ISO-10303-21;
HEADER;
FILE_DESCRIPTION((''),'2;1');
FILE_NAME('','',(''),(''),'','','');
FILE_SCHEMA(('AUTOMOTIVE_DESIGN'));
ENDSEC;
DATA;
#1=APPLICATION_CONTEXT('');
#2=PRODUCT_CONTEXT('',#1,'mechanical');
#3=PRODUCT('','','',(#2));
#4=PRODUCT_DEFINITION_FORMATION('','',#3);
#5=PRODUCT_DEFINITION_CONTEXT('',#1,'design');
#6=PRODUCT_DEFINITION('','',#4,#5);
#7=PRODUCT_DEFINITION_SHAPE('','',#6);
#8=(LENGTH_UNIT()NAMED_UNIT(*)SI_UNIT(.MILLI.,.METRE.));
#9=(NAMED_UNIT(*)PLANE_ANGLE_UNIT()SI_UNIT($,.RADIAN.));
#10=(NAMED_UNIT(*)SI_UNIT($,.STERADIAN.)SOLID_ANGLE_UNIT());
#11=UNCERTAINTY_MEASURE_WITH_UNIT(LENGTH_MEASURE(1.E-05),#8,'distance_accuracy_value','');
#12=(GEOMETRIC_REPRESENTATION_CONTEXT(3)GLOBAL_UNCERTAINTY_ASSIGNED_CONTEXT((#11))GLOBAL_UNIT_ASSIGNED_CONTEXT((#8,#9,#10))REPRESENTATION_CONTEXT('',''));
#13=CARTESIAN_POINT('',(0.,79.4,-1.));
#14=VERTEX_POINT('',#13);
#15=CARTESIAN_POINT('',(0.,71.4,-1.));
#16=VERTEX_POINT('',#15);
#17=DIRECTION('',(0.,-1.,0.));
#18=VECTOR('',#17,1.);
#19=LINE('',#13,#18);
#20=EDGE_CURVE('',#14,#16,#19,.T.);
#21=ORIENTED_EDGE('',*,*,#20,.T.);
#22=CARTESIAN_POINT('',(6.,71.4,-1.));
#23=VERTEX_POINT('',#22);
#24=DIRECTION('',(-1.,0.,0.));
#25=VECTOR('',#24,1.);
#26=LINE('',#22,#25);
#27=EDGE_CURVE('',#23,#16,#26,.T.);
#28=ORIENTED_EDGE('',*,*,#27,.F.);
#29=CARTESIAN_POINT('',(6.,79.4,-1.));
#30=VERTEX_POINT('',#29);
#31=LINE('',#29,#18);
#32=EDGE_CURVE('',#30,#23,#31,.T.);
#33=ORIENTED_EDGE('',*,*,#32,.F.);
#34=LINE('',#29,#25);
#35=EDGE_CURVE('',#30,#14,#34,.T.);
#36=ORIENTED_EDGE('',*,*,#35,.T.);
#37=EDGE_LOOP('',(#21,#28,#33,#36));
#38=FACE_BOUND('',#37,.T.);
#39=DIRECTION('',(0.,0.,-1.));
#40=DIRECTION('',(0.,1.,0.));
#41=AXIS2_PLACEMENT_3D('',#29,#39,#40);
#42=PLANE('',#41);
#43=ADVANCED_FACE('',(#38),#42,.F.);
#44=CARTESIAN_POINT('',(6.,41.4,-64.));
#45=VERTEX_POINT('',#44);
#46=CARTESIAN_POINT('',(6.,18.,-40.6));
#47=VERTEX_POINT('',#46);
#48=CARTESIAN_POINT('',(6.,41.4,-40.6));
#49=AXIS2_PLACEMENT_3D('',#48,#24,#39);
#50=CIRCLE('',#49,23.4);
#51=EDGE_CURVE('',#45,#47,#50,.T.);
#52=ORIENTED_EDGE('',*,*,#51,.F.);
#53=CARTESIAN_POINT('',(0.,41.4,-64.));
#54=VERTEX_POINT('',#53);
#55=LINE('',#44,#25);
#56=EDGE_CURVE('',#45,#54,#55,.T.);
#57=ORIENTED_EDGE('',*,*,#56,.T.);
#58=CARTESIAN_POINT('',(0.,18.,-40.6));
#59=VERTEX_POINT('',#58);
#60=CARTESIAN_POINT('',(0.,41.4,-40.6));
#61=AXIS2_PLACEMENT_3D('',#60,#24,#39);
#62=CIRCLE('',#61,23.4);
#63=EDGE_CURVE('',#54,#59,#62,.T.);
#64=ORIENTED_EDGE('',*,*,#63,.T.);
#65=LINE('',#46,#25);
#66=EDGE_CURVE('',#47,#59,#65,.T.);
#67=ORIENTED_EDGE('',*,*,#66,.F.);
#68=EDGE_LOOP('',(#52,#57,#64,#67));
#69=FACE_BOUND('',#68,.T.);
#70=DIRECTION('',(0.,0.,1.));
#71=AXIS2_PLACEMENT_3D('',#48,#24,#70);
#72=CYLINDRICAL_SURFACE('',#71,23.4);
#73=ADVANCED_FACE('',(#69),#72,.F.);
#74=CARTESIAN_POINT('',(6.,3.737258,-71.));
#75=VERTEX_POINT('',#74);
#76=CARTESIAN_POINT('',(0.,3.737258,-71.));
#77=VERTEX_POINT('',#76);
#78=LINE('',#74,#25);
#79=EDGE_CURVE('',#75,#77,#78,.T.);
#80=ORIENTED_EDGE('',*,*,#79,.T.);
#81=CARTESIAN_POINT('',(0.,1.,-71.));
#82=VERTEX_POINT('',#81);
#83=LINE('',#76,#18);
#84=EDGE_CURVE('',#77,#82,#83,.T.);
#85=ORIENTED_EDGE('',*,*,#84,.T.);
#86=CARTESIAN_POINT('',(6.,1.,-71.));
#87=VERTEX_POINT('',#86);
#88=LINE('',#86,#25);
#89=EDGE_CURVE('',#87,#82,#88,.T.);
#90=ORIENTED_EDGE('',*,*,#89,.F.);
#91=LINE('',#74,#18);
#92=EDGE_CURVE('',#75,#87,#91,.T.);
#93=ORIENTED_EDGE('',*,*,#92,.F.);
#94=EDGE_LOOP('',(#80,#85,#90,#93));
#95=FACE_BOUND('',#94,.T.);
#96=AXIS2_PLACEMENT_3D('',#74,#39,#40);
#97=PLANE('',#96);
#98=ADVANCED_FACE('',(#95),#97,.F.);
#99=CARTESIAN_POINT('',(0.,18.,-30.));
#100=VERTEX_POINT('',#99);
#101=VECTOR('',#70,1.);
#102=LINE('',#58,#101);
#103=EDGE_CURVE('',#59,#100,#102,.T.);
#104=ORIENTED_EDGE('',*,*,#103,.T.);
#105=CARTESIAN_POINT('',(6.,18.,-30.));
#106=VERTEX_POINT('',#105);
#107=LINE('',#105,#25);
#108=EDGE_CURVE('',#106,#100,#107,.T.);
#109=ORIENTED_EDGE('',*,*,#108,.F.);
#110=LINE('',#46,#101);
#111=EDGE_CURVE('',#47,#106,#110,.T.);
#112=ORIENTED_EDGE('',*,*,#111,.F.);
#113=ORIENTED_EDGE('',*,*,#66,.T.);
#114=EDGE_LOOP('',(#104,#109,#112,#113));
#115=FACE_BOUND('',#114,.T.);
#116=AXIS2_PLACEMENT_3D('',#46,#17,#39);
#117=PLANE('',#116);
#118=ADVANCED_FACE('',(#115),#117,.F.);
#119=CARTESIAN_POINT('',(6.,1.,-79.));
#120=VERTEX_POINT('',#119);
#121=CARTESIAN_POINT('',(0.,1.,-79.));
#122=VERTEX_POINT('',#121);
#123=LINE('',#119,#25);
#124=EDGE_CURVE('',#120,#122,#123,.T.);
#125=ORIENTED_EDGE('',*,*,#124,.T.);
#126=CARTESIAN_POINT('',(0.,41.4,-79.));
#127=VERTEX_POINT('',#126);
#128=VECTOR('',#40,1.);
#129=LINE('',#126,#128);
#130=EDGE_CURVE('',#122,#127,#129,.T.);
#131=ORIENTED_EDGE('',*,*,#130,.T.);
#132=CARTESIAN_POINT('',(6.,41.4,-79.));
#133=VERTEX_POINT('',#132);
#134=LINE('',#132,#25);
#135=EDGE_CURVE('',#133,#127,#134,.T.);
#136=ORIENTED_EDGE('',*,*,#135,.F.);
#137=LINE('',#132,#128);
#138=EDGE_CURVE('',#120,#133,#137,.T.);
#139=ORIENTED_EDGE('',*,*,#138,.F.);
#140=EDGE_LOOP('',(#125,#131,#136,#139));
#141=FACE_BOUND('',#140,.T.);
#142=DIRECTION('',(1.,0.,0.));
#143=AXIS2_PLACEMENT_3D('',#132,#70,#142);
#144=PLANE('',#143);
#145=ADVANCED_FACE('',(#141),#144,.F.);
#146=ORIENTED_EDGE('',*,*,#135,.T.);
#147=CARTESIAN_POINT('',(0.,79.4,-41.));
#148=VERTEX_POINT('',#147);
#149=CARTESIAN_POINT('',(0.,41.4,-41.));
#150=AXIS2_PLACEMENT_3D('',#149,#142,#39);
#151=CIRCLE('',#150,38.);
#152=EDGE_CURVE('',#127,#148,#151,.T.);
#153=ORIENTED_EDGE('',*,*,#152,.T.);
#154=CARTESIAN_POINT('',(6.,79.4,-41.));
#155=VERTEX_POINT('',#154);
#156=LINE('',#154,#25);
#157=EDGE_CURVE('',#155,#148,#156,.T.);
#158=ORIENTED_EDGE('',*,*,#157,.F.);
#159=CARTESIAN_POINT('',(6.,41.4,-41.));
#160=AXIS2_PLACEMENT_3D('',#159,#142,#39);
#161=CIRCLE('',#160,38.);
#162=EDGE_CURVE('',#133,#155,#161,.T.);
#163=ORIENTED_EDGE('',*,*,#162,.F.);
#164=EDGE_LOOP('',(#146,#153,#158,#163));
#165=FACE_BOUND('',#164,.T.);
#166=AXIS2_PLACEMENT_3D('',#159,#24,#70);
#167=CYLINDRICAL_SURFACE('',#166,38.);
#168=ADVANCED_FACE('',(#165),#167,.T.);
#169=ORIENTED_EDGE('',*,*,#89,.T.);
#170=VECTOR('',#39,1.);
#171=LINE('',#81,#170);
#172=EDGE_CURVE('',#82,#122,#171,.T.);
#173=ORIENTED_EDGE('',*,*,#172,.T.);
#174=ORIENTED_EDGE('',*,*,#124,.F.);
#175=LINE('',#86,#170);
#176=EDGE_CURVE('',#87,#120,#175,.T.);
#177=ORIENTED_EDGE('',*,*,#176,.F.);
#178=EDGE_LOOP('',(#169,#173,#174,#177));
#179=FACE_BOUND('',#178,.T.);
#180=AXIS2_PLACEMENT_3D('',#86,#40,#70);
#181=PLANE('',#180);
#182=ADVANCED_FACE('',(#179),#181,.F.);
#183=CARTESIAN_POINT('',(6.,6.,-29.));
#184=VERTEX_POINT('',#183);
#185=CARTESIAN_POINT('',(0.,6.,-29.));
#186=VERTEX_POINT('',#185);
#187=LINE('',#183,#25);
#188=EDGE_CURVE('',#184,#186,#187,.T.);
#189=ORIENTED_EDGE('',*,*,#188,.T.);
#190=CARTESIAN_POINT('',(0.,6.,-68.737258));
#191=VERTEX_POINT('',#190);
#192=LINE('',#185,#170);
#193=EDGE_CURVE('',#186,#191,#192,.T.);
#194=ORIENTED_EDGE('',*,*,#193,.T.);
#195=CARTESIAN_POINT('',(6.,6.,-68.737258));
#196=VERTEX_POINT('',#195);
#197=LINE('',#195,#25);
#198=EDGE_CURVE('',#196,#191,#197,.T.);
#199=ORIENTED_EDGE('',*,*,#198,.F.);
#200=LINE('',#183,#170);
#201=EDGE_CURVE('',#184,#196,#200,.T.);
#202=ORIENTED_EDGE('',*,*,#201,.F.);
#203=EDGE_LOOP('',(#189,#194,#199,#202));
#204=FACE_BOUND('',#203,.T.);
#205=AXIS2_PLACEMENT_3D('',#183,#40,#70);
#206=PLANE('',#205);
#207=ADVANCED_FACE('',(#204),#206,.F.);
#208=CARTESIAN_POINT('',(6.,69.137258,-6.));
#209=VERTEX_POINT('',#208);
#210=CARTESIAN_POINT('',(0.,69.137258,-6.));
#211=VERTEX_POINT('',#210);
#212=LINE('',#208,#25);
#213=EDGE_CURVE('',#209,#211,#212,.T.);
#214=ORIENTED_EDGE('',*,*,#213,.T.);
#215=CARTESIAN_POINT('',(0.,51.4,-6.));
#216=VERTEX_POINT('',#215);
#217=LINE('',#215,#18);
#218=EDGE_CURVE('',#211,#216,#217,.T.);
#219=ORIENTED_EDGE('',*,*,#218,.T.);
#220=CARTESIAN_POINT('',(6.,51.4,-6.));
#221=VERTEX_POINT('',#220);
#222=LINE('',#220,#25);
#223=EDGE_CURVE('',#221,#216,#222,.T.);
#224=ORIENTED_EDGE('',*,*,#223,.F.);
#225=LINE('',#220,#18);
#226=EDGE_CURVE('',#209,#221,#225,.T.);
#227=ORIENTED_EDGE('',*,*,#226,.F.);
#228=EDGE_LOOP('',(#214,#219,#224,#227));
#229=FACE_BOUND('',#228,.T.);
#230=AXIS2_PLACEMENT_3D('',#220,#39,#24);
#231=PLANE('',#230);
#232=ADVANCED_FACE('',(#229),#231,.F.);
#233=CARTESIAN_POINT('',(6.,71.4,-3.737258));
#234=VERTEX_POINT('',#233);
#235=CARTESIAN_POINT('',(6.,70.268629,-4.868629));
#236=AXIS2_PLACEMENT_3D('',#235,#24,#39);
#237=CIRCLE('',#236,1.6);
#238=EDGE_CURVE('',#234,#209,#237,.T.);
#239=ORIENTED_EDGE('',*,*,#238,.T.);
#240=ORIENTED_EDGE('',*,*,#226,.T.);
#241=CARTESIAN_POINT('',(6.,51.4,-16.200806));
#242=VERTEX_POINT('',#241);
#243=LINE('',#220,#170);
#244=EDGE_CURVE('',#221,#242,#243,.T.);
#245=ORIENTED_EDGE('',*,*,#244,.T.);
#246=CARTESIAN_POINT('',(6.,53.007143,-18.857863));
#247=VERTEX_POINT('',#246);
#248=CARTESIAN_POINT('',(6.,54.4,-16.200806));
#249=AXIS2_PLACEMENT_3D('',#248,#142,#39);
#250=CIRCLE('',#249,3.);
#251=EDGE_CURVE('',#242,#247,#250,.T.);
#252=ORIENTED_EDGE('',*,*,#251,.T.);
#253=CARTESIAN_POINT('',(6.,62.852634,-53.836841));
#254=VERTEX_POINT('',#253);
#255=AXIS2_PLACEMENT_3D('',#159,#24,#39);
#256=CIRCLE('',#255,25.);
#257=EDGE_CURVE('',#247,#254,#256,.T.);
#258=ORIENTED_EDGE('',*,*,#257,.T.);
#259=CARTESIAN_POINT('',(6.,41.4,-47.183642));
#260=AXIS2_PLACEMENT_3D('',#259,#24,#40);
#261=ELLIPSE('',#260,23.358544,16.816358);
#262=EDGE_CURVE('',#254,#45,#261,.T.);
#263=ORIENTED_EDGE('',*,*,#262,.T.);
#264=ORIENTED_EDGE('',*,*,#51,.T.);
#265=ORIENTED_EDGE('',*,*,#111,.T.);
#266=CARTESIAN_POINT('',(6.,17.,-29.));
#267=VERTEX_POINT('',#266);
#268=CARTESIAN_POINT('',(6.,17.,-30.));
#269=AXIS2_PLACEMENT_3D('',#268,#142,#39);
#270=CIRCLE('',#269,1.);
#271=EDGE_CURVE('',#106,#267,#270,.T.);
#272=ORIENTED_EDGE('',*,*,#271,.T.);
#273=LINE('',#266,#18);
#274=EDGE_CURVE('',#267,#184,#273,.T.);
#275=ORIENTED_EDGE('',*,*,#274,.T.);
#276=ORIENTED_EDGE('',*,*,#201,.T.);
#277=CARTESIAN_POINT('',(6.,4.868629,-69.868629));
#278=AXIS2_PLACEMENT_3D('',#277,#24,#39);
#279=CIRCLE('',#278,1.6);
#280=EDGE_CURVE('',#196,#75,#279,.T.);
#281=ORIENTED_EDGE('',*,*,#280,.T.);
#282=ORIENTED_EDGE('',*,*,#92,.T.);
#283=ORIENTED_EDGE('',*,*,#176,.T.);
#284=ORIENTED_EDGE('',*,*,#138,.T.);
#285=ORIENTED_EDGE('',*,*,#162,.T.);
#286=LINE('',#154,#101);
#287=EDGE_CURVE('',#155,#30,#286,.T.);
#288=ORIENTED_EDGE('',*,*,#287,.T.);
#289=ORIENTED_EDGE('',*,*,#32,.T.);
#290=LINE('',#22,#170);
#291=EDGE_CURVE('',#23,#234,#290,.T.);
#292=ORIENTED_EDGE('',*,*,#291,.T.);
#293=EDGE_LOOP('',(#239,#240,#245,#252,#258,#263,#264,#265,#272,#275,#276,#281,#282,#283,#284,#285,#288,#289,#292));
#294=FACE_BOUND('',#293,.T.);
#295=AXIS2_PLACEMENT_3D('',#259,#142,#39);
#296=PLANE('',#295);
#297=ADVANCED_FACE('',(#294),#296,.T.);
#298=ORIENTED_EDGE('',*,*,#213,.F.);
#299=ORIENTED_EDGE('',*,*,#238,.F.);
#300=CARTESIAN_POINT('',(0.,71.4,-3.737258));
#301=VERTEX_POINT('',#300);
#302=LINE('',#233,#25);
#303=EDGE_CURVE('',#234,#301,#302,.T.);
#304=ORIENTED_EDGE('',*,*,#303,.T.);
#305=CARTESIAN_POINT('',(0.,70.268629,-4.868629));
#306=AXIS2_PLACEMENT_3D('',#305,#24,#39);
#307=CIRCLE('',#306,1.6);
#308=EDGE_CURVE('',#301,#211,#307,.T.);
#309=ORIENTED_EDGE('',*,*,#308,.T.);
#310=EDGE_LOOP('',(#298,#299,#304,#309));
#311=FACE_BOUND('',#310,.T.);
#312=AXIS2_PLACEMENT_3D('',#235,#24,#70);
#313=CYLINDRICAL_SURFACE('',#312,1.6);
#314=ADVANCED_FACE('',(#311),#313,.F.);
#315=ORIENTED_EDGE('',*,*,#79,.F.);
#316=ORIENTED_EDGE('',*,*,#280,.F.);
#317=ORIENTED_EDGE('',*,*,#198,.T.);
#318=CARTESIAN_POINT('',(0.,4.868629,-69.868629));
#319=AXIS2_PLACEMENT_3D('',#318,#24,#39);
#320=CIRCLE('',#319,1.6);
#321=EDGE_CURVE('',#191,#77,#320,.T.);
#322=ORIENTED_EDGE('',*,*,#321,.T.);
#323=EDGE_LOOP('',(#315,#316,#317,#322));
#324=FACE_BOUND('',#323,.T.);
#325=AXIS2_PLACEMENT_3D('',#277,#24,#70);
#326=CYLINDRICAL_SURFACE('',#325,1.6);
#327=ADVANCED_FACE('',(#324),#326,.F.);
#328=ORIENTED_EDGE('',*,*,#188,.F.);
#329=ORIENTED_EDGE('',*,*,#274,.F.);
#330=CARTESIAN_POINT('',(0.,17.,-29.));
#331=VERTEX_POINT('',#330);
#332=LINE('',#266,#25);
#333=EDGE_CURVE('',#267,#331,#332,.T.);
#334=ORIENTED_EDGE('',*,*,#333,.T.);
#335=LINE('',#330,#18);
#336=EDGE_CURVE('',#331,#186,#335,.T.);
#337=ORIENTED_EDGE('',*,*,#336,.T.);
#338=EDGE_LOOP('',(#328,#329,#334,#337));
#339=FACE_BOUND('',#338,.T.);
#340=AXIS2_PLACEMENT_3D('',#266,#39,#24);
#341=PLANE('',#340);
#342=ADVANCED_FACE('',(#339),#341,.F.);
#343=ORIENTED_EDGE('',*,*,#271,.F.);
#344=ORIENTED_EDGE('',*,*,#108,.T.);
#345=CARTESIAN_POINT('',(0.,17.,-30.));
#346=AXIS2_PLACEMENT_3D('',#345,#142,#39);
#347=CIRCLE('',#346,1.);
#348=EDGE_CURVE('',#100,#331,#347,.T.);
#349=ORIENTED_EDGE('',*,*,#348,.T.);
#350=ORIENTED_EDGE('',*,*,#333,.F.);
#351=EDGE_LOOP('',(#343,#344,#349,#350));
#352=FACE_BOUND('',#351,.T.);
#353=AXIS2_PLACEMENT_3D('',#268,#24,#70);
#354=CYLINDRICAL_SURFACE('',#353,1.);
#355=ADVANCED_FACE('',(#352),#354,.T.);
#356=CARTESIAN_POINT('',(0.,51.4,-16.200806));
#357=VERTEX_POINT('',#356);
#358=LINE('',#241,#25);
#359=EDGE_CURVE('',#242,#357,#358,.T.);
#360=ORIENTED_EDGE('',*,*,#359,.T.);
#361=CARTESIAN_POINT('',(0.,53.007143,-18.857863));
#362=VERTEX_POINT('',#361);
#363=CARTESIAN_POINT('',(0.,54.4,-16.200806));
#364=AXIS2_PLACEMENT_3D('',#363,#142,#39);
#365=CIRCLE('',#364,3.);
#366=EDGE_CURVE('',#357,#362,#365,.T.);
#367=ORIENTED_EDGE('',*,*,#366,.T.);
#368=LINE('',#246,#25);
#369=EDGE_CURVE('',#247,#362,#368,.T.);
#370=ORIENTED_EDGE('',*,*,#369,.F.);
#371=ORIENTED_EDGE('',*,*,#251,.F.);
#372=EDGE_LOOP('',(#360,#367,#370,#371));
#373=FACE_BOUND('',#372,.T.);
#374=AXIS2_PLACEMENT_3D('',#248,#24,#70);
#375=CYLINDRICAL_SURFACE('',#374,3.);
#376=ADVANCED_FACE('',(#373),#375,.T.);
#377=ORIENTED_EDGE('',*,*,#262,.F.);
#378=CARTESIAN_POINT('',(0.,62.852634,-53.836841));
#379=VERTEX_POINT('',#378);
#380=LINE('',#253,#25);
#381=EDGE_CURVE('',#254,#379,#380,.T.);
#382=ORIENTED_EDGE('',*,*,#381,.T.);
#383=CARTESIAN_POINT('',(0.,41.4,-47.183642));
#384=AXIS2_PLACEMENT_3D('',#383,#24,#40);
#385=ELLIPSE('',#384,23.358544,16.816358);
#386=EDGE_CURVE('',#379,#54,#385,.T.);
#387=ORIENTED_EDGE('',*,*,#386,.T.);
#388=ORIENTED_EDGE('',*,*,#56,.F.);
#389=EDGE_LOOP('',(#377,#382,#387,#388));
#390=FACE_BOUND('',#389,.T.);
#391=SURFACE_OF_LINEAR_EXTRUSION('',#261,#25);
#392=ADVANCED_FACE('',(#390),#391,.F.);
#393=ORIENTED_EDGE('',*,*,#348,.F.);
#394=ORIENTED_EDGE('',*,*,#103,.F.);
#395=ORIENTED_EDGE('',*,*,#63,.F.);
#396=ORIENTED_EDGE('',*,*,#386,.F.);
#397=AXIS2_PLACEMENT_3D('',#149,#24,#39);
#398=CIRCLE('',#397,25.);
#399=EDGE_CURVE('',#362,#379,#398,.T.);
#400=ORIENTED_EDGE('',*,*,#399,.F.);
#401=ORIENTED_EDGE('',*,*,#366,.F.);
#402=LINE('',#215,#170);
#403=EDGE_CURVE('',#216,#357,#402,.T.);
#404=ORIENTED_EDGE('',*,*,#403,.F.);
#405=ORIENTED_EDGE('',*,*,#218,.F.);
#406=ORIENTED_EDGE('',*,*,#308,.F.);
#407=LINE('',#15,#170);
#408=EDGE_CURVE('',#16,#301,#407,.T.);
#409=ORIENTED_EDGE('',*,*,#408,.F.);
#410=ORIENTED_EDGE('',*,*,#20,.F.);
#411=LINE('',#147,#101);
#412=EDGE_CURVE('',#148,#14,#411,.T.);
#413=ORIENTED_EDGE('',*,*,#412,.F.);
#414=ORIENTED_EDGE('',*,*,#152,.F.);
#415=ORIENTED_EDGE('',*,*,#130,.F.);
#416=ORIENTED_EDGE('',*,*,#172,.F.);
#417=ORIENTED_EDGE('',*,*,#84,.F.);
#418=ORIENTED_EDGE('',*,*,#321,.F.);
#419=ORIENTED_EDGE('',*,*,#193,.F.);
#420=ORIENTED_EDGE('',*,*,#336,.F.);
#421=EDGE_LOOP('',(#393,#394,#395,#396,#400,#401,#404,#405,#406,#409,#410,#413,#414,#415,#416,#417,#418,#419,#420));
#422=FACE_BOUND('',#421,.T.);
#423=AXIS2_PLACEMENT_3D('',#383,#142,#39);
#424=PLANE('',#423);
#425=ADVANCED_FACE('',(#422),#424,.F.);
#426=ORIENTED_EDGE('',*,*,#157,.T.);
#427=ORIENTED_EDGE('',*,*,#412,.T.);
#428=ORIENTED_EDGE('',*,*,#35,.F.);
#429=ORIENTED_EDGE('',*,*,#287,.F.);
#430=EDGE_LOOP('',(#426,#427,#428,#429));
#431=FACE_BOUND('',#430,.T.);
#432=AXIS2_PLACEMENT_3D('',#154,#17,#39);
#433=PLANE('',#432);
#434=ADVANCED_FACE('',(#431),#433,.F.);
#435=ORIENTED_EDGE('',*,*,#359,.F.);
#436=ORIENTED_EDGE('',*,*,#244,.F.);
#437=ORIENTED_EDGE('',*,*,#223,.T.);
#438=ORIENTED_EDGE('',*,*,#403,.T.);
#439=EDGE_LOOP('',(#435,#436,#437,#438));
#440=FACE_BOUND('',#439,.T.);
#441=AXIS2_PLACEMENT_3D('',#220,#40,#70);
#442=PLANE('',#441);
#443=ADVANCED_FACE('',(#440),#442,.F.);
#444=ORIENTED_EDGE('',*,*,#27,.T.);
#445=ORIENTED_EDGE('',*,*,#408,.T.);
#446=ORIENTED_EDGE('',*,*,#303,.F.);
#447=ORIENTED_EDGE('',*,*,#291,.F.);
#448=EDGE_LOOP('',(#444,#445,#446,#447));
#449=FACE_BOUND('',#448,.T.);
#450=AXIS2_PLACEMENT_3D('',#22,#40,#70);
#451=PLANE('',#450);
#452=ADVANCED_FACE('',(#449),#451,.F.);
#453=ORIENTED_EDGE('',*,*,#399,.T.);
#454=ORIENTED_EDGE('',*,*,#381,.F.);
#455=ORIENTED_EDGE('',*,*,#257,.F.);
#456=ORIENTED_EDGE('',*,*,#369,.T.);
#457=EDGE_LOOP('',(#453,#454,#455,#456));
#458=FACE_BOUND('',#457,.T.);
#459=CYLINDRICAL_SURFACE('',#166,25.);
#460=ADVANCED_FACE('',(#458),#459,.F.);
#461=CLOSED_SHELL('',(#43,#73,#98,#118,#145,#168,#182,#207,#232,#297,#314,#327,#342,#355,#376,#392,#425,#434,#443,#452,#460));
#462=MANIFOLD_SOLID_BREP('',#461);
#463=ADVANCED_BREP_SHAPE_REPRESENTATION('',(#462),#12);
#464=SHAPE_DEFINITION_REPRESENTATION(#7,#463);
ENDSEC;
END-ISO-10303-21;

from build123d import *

# Parameters (mm, degrees)
BOSS_EXTRU_1_DEPTH = 6


with BuildPart() as part:
    # Esquisse1 → Boss.-Extru.1 (new body)
    with BuildSketch(Plane(origin=(0, 0, 0), x_dir=(0, 0, -1), z_dir=(1, 0, 0))):
        with BuildLine():
            Line((40.6, 18), (30, 18))
            ThreePointArc((30, 18), (29.292893219, 17.707106781), (29, 17))
            Line((29, 17), (29, 6))
            Line((29, 6), (68.7372583, 6))
            ThreePointArc((68.7372583, 6), (71, 6), (71, 3.7372583))
            Line((71, 3.7372583), (71, 1))
            Line((71, 1), (79, 1))
            Line((79, 1), (79, 41.4))
            ThreePointArc((79, 41.4), (67.870057685, 68.270057685), (41, 79.4))
            Line((41, 79.4), (1, 79.4))
            Line((1, 79.4), (1, 71.4))
            Line((1, 71.4), (3.7372583, 71.4))
            ThreePointArc((3.7372583, 71.4), (6, 71.4), (6, 69.1372583))
            Line((6, 69.1372583), (6, 51.4))
            Line((6, 51.4), (16.200806465, 51.4))
            ThreePointArc((16.200806465, 51.4), (17.753453973, 51.833039596), (18.857862915, 53.007142857))
            ThreePointArc((18.857862915, 53.007142857), (34.226480954, 65.464900576), (53.836840786, 62.852634305))
            add(Edge.make_bspline(
                [(64, 41.4), (64, 56.771196713), (53.836840786, 62.852634305)],
                knots=[1.570796327, 1.570796327, 1.570796327, 2.734829654, 2.734829654, 2.734829654], degree=2, weights=[1, 0.83535577, 1]))
            ThreePointArc((64, 41.4), (57.14629868, 24.85370132), (40.6, 18))
        make_face()
    extrude(amount=BOSS_EXTRU_1_DEPTH)


solid = part.part
